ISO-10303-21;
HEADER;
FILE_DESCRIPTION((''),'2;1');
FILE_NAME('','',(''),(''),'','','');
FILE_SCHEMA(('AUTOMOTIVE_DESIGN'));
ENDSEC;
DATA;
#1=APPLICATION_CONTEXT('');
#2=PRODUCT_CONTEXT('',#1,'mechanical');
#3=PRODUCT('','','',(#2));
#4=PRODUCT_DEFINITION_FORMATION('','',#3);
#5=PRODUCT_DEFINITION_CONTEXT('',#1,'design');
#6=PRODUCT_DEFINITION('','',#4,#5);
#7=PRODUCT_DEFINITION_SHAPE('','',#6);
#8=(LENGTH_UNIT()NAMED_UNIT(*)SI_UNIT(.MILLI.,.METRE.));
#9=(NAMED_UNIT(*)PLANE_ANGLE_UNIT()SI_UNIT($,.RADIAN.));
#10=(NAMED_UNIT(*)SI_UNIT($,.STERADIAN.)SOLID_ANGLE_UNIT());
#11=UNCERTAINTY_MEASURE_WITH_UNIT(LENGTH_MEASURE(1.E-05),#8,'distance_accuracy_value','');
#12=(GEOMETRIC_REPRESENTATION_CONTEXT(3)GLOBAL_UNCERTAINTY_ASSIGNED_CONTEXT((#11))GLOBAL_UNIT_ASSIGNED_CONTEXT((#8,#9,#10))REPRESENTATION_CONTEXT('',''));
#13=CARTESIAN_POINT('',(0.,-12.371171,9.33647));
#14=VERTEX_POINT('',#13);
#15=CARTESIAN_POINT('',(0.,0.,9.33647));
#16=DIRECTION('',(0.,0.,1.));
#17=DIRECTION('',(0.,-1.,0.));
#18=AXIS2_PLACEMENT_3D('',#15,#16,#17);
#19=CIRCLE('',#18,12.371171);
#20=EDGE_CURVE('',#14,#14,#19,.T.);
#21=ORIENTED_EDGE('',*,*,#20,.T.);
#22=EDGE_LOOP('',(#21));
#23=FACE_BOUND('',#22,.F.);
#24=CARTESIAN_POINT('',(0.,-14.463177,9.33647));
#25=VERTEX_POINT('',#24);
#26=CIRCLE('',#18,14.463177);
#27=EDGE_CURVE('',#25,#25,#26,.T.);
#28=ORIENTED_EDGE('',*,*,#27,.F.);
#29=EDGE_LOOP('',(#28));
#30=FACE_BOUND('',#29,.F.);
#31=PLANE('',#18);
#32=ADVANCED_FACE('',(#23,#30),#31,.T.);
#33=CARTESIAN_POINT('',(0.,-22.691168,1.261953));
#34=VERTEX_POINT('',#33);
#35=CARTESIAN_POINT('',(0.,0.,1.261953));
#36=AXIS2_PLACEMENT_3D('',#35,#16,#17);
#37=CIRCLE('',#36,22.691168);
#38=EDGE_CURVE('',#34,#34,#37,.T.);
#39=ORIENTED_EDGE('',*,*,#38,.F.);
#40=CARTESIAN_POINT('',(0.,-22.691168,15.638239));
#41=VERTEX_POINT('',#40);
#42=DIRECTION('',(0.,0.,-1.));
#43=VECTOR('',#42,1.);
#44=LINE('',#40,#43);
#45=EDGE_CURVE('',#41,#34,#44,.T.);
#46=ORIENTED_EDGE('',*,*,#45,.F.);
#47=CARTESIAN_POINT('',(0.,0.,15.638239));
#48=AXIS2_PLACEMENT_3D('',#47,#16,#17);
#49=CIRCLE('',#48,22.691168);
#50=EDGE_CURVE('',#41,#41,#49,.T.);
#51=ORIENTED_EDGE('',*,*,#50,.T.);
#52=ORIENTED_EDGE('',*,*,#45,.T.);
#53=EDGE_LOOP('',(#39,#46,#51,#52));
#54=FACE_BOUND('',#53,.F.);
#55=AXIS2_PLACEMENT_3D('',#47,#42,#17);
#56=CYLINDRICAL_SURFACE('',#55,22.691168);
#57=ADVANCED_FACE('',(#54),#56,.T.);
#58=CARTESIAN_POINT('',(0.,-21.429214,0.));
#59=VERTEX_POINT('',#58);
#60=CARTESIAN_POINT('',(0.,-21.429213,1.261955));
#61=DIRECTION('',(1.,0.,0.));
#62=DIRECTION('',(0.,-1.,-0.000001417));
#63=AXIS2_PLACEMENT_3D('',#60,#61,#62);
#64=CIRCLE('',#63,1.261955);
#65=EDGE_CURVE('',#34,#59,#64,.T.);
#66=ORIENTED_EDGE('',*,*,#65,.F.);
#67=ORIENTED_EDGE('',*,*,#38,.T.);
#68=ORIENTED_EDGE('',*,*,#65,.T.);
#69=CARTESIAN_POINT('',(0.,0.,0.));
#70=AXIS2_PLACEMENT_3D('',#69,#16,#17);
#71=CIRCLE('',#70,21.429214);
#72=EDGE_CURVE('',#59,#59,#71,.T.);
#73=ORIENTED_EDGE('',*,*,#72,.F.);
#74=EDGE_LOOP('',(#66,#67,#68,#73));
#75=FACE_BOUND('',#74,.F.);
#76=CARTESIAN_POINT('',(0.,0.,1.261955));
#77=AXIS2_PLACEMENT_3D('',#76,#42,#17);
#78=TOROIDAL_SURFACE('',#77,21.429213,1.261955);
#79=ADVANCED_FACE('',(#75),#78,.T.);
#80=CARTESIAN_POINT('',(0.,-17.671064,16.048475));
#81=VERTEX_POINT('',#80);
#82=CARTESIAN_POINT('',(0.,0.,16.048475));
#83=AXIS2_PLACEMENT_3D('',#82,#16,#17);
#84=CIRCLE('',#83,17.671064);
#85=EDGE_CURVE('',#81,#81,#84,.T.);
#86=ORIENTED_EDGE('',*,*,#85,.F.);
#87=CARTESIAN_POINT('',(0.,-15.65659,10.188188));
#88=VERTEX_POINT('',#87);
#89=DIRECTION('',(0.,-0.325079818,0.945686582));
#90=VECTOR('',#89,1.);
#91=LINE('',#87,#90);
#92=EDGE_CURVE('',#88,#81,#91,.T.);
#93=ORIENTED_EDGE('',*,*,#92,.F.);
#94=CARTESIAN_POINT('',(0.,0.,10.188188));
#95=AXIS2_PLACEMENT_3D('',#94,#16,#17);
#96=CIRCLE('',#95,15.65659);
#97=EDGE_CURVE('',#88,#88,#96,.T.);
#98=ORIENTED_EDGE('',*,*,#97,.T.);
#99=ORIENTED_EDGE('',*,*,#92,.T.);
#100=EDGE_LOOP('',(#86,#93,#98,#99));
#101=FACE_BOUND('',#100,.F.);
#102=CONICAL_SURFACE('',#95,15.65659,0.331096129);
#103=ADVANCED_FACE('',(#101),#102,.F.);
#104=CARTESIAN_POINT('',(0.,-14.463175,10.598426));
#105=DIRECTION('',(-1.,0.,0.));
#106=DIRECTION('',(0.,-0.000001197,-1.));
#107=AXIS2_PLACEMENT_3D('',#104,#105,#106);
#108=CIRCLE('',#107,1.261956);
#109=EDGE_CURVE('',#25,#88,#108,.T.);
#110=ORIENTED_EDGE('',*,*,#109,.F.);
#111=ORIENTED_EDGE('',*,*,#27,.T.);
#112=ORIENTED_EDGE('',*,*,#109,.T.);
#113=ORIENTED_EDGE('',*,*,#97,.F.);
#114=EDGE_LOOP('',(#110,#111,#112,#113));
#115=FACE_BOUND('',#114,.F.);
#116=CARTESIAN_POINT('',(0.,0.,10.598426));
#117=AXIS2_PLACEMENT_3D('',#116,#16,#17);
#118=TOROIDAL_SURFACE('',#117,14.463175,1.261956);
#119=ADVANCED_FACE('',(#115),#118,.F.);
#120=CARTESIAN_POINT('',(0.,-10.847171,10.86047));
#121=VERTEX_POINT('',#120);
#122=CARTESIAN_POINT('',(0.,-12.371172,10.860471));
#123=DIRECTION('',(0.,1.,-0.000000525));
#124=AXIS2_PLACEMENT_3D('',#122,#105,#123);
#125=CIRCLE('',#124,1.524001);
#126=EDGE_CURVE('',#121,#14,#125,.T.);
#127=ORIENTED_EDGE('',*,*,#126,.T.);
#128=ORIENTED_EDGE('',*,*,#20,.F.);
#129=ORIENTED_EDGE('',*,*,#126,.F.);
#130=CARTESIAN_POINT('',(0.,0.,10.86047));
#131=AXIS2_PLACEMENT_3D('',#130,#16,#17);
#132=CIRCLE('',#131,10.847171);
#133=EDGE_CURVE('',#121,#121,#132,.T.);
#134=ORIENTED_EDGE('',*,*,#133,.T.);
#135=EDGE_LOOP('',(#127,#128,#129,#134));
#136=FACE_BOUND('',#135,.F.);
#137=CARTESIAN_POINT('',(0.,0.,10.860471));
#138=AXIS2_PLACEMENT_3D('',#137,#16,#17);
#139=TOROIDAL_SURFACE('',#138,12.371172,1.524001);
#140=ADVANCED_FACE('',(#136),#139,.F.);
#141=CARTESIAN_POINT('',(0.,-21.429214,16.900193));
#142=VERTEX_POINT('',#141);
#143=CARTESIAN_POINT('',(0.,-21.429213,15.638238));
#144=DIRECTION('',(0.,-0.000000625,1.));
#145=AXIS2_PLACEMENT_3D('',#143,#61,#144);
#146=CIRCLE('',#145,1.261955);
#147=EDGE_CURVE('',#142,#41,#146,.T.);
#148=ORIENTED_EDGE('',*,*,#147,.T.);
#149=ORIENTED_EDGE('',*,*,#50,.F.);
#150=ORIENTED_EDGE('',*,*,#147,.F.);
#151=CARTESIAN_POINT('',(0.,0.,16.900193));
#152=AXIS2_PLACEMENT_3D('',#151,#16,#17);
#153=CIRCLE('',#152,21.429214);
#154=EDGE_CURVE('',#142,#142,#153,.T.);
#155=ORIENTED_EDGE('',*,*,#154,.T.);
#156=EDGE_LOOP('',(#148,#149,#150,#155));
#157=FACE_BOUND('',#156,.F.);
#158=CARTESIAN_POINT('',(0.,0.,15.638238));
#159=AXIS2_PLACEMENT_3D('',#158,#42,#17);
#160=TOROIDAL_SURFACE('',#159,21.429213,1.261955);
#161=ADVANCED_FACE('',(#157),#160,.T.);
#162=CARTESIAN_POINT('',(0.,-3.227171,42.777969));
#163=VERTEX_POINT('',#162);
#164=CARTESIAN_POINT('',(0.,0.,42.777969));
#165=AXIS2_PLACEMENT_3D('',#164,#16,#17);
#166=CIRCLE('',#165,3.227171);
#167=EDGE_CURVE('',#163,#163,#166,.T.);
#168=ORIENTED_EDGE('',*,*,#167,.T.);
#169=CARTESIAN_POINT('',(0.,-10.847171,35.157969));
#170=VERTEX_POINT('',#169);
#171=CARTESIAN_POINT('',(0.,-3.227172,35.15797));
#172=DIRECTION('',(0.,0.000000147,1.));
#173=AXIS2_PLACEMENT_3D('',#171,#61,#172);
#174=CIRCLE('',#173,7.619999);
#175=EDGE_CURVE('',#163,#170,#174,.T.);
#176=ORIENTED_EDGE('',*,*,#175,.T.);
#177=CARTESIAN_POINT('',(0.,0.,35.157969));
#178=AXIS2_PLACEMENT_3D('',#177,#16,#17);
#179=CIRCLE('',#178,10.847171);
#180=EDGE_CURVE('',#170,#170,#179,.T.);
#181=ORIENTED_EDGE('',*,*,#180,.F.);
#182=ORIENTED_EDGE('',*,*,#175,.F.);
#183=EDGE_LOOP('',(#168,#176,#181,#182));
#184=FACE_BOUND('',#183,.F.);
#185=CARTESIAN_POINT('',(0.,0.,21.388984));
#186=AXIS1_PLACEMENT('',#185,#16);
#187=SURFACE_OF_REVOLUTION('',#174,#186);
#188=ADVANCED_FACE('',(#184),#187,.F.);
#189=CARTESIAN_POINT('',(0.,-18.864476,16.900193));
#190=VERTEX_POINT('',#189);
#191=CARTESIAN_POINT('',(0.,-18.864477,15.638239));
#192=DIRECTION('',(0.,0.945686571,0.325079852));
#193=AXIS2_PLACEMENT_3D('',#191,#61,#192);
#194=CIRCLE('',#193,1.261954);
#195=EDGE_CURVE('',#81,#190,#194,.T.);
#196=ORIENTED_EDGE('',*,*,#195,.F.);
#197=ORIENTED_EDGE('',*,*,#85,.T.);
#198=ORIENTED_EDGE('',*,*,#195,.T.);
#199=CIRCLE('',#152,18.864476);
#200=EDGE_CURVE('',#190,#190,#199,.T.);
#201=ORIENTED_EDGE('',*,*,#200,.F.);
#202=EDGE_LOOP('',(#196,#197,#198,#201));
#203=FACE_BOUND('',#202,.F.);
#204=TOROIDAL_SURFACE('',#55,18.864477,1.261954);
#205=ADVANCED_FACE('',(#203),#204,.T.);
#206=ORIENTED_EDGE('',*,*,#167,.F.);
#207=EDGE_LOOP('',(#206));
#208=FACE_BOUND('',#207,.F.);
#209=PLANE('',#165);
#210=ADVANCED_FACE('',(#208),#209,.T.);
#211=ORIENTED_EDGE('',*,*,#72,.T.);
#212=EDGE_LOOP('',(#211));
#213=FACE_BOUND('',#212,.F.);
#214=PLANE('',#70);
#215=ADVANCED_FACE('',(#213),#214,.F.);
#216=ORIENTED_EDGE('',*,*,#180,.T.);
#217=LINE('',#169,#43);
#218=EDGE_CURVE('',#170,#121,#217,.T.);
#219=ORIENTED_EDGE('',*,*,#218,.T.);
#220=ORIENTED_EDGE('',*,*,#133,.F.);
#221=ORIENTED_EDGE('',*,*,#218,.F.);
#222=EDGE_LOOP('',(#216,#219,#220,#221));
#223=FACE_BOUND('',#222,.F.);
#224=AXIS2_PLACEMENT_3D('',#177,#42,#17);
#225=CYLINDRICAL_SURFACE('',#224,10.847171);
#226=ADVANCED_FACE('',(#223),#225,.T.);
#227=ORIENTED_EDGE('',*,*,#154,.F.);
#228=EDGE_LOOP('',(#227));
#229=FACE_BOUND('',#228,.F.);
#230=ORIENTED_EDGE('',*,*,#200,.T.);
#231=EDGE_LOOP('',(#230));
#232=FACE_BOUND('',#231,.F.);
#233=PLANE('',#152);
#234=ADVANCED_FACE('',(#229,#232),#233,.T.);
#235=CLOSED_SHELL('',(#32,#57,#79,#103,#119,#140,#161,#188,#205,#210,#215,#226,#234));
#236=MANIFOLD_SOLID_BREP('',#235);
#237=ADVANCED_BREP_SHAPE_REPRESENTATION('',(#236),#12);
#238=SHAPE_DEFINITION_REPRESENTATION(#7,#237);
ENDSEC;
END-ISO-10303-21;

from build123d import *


with BuildPart() as f1:
    # F0 (on Right) → F1 (revolve)
    with BuildSketch(Plane.YZ):
        with BuildLine():
            Line((-21.429214, 0), (0, 0))
            Line((0, 0), (0, 42.777969))
            Line((0, 42.777969), (-3.227171, 42.777969))
            ThreePointArc((-3.227171, 42.777969), (-8.615325, 40.546123), (-10.847171, 35.157969))
            Line((-10.847171, 35.157969), (-10.847171, 10.86047))
            ThreePointArc((-10.847171, 10.86047), (-11.293541, 9.782839), (-12.371171, 9.33647))
            Line((-12.371171, 9.33647), (-14.463177, 9.33647))
            ThreePointArc((-14.463177, 9.33647), (-15.196262, 9.571237), (-15.65659, 10.188188))
            Line((-15.65659, 10.188188), (-17.671064, 16.048475))
            ThreePointArc((-17.671064, 16.048475), (-18.131391, 16.665426), (-18.864476, 16.900193))
            Line((-18.864476, 16.900193), (-21.429214, 16.900193))
            ThreePointArc((-21.429214, 16.900193), (-22.32155, 16.530575), (-22.691168, 15.638239))
            Line((-22.691168, 15.638239), (-22.691168, 1.261953))
            ThreePointArc((-22.691168, 1.261953), (-22.32155, 0.369618), (-21.429214, 0))
        make_face()
    revolve(axis=Axis((0, 0, 21.388984), (0, 0, 1)))


solid = f1.part
